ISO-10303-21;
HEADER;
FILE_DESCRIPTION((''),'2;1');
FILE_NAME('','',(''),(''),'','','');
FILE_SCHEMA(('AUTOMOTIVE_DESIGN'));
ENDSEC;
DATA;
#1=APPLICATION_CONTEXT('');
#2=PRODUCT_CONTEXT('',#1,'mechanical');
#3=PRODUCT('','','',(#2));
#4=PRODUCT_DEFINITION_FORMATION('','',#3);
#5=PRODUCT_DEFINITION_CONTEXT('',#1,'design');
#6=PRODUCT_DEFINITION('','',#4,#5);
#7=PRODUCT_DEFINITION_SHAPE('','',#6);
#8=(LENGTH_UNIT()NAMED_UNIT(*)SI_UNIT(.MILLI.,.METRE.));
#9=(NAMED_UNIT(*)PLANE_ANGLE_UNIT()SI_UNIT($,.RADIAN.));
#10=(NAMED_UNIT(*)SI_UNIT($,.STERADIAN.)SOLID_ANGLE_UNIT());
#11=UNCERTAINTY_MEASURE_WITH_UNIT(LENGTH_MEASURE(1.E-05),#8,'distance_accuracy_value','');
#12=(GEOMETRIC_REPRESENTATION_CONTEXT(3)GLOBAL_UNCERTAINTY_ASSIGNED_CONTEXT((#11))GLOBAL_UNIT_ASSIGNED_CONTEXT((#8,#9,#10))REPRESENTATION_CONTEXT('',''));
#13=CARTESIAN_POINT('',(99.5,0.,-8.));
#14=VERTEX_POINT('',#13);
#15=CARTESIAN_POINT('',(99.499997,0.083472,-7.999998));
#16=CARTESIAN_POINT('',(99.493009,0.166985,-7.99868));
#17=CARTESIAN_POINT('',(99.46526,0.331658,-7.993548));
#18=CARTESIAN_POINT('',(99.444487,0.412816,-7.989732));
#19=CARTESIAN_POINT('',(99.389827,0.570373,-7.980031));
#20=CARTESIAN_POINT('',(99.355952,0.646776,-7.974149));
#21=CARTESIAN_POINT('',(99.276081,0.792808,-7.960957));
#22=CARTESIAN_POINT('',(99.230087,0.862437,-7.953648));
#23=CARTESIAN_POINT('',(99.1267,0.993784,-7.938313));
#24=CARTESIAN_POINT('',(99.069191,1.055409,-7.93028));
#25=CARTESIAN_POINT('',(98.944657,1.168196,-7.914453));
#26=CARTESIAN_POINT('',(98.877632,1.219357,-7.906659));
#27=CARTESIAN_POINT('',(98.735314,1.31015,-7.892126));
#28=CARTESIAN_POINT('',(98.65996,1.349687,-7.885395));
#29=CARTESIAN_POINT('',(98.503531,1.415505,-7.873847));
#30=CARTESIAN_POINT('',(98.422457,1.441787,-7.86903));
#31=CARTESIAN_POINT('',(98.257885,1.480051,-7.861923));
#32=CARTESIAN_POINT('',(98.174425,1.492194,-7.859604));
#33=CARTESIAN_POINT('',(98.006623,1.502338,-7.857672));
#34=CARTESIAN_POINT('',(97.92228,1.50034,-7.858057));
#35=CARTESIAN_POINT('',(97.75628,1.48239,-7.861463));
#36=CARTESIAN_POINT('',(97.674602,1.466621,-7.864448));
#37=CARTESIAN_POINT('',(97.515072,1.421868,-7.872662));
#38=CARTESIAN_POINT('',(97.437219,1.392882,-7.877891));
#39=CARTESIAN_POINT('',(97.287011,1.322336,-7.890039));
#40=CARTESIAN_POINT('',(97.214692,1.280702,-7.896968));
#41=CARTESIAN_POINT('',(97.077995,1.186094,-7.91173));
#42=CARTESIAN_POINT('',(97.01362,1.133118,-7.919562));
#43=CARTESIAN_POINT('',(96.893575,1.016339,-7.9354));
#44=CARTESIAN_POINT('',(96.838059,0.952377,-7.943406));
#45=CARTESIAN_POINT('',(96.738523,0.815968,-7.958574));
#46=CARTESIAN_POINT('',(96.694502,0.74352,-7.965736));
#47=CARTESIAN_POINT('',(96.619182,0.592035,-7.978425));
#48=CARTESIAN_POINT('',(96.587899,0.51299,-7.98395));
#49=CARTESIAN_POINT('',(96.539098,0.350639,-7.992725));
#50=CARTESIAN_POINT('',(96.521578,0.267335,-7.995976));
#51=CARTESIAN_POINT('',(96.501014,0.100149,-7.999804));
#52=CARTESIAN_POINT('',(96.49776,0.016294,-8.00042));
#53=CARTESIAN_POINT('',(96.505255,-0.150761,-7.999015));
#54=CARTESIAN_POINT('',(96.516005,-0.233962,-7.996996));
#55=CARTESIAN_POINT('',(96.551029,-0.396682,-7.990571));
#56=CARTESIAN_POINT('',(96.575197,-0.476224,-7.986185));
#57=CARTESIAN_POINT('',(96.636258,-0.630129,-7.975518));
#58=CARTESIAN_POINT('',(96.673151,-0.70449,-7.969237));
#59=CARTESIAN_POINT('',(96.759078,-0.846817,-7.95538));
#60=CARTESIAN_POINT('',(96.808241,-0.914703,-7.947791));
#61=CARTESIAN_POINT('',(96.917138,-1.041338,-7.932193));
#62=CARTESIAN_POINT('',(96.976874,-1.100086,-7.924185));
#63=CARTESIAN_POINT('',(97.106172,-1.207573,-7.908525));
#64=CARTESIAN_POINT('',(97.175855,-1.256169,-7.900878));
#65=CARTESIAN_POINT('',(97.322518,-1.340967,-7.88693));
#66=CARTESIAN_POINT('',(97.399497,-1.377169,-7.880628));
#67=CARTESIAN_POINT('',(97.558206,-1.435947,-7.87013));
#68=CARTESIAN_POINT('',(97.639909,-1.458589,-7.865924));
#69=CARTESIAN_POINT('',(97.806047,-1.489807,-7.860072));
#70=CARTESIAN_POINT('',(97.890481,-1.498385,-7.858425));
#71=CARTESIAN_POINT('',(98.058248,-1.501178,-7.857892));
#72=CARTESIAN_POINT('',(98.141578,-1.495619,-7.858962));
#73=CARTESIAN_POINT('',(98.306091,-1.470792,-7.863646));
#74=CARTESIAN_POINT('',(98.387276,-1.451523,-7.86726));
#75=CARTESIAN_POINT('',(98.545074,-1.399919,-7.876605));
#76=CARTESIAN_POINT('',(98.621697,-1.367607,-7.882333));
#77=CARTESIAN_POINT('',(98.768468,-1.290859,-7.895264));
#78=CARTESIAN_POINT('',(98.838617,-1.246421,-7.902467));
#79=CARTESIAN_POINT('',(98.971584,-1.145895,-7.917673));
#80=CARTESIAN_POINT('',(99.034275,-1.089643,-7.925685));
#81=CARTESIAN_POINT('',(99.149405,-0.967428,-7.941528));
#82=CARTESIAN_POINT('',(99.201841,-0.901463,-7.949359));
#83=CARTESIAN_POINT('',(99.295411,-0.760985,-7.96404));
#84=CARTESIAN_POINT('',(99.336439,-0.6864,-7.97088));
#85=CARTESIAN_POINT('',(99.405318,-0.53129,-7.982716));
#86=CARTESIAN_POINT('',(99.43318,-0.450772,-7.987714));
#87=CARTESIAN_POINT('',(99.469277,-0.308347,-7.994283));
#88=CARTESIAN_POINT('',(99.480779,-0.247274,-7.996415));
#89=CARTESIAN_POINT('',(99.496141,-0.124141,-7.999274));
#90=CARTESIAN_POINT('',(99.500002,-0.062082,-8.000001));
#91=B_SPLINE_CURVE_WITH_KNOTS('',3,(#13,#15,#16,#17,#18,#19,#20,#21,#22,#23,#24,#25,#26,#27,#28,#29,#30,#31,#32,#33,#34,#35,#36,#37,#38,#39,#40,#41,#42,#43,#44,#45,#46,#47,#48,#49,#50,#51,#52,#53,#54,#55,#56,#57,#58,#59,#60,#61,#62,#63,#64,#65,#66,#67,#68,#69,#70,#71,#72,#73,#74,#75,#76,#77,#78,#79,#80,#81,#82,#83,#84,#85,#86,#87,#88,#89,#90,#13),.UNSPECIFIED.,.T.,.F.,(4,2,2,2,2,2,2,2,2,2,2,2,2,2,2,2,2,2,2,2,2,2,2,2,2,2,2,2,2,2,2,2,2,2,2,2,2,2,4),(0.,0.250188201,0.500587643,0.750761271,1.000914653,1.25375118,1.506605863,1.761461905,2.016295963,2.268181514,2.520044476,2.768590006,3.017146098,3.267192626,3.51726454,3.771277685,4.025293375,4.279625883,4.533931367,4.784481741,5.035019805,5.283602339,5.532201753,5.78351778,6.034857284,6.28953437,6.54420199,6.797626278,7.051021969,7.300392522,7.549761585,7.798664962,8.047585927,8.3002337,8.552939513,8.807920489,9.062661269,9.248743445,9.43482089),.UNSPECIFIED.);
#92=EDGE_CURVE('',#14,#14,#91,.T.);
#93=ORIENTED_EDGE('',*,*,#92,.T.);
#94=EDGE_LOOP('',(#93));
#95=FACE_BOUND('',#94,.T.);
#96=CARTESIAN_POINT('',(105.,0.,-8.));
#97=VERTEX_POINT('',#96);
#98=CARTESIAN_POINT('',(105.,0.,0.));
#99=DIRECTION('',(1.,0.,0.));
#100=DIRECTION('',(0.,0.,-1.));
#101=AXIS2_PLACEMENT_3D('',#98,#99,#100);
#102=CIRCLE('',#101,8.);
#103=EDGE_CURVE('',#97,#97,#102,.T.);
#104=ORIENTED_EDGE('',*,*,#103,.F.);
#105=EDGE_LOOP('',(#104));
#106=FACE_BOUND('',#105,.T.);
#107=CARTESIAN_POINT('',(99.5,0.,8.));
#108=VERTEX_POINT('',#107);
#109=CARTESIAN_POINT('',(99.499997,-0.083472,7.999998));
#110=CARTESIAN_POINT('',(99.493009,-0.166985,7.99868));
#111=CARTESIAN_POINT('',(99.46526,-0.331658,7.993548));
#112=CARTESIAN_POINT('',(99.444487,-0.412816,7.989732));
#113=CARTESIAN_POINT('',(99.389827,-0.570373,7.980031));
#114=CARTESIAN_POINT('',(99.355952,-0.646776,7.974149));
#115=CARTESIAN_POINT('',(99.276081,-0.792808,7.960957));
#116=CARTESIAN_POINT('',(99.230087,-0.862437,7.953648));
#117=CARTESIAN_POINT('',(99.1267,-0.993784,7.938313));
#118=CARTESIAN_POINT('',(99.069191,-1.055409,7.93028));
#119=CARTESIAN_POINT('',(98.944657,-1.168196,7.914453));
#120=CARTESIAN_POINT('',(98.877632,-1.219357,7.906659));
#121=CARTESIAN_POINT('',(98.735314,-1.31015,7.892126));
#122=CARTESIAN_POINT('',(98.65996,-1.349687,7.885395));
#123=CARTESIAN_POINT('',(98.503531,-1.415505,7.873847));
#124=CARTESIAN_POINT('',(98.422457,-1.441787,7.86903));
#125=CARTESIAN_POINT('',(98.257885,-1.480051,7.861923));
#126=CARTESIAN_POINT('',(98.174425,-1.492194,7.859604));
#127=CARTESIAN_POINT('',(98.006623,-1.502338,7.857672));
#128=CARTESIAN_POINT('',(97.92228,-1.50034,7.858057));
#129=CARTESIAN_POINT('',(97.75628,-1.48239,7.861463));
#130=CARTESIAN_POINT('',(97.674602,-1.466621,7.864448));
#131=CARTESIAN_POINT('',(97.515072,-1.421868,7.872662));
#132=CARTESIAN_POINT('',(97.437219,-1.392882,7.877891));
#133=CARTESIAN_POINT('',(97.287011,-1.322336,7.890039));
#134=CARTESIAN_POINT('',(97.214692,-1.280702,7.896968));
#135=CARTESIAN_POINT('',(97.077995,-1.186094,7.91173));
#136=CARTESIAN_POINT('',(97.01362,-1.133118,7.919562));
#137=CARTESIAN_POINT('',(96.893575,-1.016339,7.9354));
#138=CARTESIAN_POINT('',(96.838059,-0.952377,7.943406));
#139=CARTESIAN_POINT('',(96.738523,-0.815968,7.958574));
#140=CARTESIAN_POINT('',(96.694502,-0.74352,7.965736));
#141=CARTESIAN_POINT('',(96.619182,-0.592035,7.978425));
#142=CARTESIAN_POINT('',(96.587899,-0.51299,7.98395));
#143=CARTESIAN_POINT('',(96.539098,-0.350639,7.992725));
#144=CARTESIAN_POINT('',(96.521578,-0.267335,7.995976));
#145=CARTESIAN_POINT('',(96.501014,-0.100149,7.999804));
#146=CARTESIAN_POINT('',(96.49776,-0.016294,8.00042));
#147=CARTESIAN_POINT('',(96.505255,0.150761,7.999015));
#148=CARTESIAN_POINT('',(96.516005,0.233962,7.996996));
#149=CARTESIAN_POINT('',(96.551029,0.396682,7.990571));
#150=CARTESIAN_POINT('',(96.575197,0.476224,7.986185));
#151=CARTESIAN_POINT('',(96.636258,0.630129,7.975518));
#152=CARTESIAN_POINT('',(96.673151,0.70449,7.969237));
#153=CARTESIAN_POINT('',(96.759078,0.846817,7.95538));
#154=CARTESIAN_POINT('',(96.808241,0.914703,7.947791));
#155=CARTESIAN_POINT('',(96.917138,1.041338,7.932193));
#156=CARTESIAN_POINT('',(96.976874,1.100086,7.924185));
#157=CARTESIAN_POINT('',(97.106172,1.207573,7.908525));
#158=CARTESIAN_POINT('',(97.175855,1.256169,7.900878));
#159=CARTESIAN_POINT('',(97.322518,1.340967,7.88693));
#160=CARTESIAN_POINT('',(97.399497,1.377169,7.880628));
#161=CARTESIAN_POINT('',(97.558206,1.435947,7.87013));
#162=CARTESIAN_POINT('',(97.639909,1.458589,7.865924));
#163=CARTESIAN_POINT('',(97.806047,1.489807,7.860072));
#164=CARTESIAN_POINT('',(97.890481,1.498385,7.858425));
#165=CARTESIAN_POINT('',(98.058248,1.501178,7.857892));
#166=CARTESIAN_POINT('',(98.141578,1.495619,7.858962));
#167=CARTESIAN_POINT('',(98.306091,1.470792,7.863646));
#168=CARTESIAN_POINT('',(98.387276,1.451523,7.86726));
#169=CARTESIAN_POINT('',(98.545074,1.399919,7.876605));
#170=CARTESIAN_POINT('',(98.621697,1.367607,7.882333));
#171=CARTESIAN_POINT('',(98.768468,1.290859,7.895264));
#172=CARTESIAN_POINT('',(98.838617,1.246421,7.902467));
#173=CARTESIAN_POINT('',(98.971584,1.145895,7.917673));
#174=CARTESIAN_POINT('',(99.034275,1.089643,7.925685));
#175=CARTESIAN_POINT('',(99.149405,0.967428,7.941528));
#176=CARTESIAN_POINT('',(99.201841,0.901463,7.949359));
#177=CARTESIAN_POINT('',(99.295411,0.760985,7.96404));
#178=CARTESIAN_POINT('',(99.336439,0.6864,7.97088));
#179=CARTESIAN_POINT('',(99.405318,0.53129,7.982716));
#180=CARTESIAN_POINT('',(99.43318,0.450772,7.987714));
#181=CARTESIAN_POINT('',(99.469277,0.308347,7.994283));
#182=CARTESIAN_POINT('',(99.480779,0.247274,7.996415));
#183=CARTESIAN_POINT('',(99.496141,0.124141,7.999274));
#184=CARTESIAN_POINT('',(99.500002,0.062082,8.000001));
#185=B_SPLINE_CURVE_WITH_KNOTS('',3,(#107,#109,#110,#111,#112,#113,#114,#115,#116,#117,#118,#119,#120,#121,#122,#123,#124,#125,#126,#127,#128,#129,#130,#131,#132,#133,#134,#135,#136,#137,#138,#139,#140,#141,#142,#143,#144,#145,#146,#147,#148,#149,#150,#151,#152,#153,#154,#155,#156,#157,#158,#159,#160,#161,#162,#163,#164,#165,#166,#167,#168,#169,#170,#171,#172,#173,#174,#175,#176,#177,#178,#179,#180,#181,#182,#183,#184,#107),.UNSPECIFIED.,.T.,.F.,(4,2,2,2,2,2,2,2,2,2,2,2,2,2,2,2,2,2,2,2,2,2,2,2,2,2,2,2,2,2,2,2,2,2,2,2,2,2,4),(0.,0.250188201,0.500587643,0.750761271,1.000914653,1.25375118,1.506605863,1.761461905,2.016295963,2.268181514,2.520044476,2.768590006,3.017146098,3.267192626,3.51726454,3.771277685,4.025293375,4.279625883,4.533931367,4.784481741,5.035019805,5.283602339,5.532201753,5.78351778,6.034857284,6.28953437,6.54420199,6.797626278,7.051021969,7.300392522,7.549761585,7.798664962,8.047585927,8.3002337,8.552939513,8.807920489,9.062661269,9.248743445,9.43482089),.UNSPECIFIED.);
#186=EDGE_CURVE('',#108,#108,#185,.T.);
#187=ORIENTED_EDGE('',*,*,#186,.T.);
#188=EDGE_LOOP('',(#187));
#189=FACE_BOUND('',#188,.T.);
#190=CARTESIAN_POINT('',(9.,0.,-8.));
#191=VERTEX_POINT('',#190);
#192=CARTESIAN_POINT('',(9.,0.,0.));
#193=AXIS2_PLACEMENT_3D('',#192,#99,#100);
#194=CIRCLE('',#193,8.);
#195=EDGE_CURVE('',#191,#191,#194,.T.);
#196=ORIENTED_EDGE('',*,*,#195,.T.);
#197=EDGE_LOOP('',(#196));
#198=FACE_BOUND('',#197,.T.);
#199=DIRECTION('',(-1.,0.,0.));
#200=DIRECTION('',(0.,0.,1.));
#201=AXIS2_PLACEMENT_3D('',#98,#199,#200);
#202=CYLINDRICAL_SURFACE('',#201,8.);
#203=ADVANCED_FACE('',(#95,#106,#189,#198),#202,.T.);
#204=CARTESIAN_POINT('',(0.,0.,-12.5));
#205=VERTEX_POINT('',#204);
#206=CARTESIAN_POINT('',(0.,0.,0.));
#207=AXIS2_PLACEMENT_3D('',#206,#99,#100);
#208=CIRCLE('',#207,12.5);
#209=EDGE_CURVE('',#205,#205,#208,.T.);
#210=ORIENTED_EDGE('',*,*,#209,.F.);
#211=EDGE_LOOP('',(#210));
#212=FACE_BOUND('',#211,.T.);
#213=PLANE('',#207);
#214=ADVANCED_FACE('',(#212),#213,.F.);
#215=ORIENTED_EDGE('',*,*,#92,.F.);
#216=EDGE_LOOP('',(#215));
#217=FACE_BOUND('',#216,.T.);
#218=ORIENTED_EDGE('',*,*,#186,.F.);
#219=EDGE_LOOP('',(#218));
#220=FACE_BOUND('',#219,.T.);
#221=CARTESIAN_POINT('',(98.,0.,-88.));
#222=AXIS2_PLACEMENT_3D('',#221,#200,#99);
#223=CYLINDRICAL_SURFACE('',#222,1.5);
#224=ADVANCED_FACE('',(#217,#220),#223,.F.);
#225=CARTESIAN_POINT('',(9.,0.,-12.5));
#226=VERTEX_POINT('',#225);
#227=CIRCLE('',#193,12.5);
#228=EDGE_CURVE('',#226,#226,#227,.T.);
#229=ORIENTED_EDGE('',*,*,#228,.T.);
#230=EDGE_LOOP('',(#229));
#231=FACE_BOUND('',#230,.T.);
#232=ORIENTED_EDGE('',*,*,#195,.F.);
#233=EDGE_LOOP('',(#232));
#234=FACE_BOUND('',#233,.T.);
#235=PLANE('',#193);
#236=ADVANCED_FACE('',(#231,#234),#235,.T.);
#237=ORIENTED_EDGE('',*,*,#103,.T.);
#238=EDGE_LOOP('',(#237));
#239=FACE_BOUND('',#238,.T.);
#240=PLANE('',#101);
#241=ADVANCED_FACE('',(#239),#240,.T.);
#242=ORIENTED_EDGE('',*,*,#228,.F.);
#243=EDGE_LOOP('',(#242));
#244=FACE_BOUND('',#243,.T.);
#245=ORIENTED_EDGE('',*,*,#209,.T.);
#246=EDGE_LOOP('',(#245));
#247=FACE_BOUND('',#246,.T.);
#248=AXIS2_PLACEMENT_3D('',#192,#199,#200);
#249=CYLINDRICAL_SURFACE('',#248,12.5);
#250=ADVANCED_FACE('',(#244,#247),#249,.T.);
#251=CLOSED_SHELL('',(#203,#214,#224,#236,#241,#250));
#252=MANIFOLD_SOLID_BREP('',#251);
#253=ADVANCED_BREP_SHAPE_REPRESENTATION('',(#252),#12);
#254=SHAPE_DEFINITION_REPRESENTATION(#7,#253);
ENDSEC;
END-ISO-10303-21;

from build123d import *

# Parameters (mm, degrees)
SKETCH1_R           = 12.5
BOSS_EXTRUDE1_DEPTH = 9
SKETCH2_R           = 8
BOSS_EXTRUDE2_DEPTH = 96
SKETCH4_R           = 1.5
CUT_EXTRUDE1_DEPTH  = 96


with BuildPart() as part:
    # Sketch1 → Boss-Extrude1 (new body)
    with BuildSketch(Plane(origin=(0, 0, 0), x_dir=(0, 0, -1), z_dir=(1, 0, 0))):
        Circle(SKETCH1_R)
    extrude(amount=BOSS_EXTRUDE1_DEPTH)

    # Sketch2 → Boss-Extrude2 (add)
    with BuildSketch(Plane(origin=(9, 0, 0), x_dir=(0, 0, -1), z_dir=(1, 0, 0))):
        Circle(SKETCH2_R)
    extrude(amount=BOSS_EXTRUDE2_DEPTH)

    # Sketch4 → Cut-Extrude1 (cut)
    with BuildSketch(Plane.XY.offset(8)):
        with Locations((98, 0)):
            Circle(SKETCH4_R)
    extrude(amount=-CUT_EXTRUDE1_DEPTH, mode=Mode.SUBTRACT)


solid = part.part
